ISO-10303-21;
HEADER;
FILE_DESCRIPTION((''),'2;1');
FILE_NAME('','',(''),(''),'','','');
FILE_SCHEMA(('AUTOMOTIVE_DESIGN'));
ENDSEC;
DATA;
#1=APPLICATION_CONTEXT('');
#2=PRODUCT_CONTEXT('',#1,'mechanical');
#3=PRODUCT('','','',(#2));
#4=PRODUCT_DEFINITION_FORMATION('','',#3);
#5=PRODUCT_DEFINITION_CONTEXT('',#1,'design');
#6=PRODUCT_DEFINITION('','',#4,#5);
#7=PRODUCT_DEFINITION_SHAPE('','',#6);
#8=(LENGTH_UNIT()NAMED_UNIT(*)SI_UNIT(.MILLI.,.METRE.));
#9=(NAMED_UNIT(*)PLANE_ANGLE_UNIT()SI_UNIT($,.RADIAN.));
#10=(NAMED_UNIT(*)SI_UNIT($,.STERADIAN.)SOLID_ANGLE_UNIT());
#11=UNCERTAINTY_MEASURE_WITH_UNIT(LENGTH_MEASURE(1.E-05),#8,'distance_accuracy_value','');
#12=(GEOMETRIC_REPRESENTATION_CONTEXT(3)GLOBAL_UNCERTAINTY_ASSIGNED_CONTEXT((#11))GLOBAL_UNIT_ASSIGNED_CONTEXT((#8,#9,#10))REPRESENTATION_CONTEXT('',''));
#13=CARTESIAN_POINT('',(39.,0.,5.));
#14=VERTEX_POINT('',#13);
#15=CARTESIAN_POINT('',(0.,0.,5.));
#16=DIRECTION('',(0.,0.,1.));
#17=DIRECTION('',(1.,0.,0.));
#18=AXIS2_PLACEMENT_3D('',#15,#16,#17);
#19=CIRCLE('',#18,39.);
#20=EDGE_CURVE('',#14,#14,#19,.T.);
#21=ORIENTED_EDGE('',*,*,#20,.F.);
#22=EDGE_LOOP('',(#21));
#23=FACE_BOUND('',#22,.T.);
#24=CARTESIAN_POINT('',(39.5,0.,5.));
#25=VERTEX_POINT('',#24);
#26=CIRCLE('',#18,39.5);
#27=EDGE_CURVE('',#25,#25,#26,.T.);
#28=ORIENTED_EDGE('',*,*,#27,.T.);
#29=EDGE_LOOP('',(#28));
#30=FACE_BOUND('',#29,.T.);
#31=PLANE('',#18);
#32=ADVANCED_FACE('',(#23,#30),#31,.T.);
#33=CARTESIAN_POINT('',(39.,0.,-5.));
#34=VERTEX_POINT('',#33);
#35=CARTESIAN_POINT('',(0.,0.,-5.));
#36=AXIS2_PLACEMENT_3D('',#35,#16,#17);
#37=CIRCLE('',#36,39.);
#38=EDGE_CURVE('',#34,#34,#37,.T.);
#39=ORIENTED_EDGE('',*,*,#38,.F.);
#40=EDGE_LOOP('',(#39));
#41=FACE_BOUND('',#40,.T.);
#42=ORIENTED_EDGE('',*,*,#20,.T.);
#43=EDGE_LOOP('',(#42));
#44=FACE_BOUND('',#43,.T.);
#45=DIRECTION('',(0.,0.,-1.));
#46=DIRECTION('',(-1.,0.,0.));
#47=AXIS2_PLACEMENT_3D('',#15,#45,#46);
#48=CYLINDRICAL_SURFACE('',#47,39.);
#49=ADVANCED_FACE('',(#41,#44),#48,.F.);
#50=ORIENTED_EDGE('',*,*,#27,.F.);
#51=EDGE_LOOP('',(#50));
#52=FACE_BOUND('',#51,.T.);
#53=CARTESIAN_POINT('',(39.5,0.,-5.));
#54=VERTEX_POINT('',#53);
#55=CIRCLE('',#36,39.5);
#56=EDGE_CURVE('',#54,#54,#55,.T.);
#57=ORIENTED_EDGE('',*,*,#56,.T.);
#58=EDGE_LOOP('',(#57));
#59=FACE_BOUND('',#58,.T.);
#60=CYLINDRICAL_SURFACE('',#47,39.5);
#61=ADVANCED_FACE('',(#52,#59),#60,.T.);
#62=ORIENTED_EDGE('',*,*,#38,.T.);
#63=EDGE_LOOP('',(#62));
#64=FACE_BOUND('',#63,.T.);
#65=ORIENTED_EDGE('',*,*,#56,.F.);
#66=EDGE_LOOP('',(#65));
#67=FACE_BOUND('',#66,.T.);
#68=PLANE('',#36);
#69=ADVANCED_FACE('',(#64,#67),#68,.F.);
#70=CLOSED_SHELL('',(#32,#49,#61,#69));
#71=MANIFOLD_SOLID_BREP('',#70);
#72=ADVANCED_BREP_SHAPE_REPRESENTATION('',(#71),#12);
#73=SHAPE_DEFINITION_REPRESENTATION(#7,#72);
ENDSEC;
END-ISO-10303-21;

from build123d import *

# Parameters (mm, degrees)
CROQUIS1_R              = 39.5
CROQUIS1_R_2            = 39
SALIENTE_EXTRUIR1_DEPTH = 5


with BuildPart() as part:
    # Croquis1 → Saliente-Extruir1 (new, symmetric)
    with BuildSketch(Plane.XY):
        Circle(CROQUIS1_R)
        Circle(CROQUIS1_R_2, mode=Mode.SUBTRACT)
    extrude(amount=SALIENTE_EXTRUIR1_DEPTH, both=True)


solid = part.part
